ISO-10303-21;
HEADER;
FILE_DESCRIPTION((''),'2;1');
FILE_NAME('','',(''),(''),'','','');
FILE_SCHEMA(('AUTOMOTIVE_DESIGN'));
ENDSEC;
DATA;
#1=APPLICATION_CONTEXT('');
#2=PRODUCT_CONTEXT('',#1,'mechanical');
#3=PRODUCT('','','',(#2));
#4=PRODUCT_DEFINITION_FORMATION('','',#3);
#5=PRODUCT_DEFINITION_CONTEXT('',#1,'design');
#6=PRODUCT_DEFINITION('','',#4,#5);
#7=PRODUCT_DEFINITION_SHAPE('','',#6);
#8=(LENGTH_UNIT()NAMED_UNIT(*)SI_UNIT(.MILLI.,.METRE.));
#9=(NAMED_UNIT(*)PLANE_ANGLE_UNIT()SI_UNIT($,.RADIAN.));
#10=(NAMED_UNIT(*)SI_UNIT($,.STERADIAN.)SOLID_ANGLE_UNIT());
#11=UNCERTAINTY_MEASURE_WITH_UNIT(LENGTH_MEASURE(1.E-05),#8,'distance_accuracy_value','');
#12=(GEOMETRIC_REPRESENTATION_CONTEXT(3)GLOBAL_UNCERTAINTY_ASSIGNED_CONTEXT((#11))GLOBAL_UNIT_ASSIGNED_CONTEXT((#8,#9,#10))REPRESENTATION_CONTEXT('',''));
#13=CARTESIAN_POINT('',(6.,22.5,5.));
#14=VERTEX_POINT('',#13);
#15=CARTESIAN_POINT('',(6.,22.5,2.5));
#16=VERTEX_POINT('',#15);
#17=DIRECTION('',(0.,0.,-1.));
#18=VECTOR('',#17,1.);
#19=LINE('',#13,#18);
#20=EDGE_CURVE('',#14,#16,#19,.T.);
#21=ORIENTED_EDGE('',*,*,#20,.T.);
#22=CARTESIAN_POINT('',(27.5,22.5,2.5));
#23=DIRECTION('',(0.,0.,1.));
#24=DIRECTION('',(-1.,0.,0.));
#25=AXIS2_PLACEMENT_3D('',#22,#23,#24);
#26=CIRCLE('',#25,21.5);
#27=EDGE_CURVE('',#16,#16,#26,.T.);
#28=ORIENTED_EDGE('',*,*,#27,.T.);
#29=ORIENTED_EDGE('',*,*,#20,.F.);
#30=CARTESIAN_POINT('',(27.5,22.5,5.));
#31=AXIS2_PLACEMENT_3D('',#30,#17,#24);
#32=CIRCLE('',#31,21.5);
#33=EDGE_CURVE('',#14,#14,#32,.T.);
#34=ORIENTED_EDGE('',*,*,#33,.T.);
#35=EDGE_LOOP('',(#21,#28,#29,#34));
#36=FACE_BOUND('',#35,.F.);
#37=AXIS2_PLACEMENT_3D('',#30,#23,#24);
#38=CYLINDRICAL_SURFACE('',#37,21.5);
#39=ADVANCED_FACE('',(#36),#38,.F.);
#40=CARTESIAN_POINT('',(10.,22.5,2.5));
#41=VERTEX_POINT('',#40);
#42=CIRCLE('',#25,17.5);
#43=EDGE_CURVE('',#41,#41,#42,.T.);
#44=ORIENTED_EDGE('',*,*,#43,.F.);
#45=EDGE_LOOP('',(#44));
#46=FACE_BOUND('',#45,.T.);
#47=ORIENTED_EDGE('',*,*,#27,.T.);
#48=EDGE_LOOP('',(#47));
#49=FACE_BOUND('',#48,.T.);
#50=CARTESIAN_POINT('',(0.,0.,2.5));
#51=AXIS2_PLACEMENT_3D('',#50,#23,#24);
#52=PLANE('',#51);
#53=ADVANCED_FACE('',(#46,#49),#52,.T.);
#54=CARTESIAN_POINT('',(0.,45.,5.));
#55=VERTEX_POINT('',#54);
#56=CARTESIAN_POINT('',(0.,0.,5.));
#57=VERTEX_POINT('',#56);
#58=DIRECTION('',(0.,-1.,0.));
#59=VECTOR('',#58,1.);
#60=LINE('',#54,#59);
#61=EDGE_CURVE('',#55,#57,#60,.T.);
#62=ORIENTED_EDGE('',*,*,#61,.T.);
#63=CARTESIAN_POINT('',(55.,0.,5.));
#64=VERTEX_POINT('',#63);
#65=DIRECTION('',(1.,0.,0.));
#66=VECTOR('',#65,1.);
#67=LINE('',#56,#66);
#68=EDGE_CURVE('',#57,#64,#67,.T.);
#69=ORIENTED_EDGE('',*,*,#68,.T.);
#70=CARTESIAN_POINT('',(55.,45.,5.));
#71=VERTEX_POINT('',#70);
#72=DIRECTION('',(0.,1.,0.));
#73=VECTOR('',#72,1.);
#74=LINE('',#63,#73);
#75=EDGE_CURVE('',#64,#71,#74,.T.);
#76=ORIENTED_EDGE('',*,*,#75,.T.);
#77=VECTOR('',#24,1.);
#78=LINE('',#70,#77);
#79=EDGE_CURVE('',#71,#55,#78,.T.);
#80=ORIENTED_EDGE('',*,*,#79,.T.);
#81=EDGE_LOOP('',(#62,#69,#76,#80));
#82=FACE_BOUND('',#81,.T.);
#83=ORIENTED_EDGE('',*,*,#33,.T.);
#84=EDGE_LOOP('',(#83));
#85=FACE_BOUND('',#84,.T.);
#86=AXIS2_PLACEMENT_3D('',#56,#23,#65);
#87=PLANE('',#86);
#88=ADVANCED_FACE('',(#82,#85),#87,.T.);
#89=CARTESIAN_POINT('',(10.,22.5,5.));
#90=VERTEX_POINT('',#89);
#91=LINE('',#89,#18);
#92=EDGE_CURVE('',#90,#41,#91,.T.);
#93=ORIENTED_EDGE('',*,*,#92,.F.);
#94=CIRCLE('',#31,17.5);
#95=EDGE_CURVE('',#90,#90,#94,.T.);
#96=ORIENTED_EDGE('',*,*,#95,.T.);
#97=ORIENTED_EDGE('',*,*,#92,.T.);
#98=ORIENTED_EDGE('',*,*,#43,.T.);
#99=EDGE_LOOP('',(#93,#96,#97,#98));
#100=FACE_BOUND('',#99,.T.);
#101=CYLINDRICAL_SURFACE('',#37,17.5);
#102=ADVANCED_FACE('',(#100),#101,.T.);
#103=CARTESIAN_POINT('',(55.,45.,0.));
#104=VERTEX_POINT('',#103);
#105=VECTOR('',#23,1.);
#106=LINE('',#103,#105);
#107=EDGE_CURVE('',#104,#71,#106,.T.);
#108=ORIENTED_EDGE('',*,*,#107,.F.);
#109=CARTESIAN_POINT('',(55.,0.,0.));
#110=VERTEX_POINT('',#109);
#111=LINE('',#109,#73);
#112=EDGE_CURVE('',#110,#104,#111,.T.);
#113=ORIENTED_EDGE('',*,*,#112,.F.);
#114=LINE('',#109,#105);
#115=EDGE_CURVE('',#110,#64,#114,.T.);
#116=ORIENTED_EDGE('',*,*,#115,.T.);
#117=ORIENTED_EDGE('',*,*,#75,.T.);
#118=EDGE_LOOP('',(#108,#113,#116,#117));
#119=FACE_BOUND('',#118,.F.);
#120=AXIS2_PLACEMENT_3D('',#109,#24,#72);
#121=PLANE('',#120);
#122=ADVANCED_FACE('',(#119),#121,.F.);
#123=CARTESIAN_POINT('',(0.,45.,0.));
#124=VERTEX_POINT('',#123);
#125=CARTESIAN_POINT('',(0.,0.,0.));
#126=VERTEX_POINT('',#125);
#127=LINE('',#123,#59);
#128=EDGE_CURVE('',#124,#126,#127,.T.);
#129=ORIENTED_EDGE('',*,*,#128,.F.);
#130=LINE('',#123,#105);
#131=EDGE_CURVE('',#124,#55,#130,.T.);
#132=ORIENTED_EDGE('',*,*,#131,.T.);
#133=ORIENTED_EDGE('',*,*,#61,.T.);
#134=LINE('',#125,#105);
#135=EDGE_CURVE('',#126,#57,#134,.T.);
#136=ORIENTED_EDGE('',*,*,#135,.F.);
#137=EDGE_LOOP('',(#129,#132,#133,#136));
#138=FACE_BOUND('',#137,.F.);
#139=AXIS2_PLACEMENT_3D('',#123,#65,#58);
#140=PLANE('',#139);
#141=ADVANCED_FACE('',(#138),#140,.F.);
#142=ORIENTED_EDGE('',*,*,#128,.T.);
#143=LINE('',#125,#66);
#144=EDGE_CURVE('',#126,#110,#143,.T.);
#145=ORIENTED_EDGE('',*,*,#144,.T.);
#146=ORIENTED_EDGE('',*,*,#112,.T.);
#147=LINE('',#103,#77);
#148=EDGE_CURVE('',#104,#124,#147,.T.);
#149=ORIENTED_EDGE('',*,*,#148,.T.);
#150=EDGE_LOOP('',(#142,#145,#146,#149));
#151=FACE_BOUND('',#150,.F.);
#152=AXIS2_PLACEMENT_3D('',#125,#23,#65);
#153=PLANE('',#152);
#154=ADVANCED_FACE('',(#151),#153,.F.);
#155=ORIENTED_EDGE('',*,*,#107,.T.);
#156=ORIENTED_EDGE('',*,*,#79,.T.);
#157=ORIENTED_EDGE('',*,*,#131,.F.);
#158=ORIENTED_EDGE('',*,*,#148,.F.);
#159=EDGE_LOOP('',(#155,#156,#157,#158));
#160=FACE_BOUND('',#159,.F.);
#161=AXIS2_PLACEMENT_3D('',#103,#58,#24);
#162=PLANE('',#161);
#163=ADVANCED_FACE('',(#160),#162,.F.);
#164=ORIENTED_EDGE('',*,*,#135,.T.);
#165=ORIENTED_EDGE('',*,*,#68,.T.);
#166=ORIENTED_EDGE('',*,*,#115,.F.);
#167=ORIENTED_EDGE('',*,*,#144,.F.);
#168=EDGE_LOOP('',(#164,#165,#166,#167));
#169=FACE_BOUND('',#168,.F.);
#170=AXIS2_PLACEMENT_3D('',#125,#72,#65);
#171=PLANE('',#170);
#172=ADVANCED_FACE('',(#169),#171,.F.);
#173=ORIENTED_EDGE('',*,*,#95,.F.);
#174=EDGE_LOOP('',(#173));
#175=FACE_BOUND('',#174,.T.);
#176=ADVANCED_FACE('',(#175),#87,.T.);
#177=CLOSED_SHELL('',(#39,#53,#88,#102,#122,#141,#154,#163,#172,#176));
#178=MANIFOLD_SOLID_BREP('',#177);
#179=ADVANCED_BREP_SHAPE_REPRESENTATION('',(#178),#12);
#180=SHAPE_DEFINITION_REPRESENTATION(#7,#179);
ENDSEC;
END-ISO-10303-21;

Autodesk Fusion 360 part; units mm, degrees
sketch "Sketch1" plane through (0, 0, 0) normal (0, 0, 1) x (1, 0, 0)
  line L0 (0, 0) -> (55, 0)
  line L1 (55, 0) -> (55, 45)
  line L2 (55, 45) -> (0, 45)
  line L3 (0, 45) -> (0, 0)
  dimension "d1" = 55
  dimension "d2" = 45
extrude "Extrude1" add sketch "Sketch1" along normal blind 5
sketch "Sketch2" plane through (0, 0, 5) normal (0, 0, 1) x (-1, 0, 0)
  line L0 (0, -45) -> (0, 0)
  line L1 (0, 0) -> (-55, 0)
  line L2 (-55, 0) -> (-55, -45)
  line L3 (-55, -45) -> (0, -45)
  line L4 (0, -45) -> (-55, -45)
  line L5 (-55, -45) -> (-55, -50)
  line L6 (-55, -50) -> (0, -50)
  line L7 (0, -50) -> (0, -45)
  line L8 (0, 0) -> (-55, 0)
  line L9 (-55, 0) -> (-55, 5)
  line L10 (-55, 5) -> (0, 5)
  line L11 (0, 5) -> (0, 0)
  line L12 (0, -50) -> (-55, 5)
  line L13 (-55, -50) -> (0, 5)
  circle A0 centre (-27.5, -22.5) radius 17.5
  circle A1 centre (-27.5, -22.5) radius 21.5
  dimension "d5" = 55
  dimension "d6" = 5
  dimension "d7" = 55
  dimension "d8" = 5
  dimension "d9" = 35
  dimension "d10" = 43
extrude "Extrude2" cut sketch "Sketch2" against normal blind 2.5 contours L12 L13 A0 A1 | L12 L13 A0 A1 | L12 L13 A0 A1 | L12 L13 A0 A1
